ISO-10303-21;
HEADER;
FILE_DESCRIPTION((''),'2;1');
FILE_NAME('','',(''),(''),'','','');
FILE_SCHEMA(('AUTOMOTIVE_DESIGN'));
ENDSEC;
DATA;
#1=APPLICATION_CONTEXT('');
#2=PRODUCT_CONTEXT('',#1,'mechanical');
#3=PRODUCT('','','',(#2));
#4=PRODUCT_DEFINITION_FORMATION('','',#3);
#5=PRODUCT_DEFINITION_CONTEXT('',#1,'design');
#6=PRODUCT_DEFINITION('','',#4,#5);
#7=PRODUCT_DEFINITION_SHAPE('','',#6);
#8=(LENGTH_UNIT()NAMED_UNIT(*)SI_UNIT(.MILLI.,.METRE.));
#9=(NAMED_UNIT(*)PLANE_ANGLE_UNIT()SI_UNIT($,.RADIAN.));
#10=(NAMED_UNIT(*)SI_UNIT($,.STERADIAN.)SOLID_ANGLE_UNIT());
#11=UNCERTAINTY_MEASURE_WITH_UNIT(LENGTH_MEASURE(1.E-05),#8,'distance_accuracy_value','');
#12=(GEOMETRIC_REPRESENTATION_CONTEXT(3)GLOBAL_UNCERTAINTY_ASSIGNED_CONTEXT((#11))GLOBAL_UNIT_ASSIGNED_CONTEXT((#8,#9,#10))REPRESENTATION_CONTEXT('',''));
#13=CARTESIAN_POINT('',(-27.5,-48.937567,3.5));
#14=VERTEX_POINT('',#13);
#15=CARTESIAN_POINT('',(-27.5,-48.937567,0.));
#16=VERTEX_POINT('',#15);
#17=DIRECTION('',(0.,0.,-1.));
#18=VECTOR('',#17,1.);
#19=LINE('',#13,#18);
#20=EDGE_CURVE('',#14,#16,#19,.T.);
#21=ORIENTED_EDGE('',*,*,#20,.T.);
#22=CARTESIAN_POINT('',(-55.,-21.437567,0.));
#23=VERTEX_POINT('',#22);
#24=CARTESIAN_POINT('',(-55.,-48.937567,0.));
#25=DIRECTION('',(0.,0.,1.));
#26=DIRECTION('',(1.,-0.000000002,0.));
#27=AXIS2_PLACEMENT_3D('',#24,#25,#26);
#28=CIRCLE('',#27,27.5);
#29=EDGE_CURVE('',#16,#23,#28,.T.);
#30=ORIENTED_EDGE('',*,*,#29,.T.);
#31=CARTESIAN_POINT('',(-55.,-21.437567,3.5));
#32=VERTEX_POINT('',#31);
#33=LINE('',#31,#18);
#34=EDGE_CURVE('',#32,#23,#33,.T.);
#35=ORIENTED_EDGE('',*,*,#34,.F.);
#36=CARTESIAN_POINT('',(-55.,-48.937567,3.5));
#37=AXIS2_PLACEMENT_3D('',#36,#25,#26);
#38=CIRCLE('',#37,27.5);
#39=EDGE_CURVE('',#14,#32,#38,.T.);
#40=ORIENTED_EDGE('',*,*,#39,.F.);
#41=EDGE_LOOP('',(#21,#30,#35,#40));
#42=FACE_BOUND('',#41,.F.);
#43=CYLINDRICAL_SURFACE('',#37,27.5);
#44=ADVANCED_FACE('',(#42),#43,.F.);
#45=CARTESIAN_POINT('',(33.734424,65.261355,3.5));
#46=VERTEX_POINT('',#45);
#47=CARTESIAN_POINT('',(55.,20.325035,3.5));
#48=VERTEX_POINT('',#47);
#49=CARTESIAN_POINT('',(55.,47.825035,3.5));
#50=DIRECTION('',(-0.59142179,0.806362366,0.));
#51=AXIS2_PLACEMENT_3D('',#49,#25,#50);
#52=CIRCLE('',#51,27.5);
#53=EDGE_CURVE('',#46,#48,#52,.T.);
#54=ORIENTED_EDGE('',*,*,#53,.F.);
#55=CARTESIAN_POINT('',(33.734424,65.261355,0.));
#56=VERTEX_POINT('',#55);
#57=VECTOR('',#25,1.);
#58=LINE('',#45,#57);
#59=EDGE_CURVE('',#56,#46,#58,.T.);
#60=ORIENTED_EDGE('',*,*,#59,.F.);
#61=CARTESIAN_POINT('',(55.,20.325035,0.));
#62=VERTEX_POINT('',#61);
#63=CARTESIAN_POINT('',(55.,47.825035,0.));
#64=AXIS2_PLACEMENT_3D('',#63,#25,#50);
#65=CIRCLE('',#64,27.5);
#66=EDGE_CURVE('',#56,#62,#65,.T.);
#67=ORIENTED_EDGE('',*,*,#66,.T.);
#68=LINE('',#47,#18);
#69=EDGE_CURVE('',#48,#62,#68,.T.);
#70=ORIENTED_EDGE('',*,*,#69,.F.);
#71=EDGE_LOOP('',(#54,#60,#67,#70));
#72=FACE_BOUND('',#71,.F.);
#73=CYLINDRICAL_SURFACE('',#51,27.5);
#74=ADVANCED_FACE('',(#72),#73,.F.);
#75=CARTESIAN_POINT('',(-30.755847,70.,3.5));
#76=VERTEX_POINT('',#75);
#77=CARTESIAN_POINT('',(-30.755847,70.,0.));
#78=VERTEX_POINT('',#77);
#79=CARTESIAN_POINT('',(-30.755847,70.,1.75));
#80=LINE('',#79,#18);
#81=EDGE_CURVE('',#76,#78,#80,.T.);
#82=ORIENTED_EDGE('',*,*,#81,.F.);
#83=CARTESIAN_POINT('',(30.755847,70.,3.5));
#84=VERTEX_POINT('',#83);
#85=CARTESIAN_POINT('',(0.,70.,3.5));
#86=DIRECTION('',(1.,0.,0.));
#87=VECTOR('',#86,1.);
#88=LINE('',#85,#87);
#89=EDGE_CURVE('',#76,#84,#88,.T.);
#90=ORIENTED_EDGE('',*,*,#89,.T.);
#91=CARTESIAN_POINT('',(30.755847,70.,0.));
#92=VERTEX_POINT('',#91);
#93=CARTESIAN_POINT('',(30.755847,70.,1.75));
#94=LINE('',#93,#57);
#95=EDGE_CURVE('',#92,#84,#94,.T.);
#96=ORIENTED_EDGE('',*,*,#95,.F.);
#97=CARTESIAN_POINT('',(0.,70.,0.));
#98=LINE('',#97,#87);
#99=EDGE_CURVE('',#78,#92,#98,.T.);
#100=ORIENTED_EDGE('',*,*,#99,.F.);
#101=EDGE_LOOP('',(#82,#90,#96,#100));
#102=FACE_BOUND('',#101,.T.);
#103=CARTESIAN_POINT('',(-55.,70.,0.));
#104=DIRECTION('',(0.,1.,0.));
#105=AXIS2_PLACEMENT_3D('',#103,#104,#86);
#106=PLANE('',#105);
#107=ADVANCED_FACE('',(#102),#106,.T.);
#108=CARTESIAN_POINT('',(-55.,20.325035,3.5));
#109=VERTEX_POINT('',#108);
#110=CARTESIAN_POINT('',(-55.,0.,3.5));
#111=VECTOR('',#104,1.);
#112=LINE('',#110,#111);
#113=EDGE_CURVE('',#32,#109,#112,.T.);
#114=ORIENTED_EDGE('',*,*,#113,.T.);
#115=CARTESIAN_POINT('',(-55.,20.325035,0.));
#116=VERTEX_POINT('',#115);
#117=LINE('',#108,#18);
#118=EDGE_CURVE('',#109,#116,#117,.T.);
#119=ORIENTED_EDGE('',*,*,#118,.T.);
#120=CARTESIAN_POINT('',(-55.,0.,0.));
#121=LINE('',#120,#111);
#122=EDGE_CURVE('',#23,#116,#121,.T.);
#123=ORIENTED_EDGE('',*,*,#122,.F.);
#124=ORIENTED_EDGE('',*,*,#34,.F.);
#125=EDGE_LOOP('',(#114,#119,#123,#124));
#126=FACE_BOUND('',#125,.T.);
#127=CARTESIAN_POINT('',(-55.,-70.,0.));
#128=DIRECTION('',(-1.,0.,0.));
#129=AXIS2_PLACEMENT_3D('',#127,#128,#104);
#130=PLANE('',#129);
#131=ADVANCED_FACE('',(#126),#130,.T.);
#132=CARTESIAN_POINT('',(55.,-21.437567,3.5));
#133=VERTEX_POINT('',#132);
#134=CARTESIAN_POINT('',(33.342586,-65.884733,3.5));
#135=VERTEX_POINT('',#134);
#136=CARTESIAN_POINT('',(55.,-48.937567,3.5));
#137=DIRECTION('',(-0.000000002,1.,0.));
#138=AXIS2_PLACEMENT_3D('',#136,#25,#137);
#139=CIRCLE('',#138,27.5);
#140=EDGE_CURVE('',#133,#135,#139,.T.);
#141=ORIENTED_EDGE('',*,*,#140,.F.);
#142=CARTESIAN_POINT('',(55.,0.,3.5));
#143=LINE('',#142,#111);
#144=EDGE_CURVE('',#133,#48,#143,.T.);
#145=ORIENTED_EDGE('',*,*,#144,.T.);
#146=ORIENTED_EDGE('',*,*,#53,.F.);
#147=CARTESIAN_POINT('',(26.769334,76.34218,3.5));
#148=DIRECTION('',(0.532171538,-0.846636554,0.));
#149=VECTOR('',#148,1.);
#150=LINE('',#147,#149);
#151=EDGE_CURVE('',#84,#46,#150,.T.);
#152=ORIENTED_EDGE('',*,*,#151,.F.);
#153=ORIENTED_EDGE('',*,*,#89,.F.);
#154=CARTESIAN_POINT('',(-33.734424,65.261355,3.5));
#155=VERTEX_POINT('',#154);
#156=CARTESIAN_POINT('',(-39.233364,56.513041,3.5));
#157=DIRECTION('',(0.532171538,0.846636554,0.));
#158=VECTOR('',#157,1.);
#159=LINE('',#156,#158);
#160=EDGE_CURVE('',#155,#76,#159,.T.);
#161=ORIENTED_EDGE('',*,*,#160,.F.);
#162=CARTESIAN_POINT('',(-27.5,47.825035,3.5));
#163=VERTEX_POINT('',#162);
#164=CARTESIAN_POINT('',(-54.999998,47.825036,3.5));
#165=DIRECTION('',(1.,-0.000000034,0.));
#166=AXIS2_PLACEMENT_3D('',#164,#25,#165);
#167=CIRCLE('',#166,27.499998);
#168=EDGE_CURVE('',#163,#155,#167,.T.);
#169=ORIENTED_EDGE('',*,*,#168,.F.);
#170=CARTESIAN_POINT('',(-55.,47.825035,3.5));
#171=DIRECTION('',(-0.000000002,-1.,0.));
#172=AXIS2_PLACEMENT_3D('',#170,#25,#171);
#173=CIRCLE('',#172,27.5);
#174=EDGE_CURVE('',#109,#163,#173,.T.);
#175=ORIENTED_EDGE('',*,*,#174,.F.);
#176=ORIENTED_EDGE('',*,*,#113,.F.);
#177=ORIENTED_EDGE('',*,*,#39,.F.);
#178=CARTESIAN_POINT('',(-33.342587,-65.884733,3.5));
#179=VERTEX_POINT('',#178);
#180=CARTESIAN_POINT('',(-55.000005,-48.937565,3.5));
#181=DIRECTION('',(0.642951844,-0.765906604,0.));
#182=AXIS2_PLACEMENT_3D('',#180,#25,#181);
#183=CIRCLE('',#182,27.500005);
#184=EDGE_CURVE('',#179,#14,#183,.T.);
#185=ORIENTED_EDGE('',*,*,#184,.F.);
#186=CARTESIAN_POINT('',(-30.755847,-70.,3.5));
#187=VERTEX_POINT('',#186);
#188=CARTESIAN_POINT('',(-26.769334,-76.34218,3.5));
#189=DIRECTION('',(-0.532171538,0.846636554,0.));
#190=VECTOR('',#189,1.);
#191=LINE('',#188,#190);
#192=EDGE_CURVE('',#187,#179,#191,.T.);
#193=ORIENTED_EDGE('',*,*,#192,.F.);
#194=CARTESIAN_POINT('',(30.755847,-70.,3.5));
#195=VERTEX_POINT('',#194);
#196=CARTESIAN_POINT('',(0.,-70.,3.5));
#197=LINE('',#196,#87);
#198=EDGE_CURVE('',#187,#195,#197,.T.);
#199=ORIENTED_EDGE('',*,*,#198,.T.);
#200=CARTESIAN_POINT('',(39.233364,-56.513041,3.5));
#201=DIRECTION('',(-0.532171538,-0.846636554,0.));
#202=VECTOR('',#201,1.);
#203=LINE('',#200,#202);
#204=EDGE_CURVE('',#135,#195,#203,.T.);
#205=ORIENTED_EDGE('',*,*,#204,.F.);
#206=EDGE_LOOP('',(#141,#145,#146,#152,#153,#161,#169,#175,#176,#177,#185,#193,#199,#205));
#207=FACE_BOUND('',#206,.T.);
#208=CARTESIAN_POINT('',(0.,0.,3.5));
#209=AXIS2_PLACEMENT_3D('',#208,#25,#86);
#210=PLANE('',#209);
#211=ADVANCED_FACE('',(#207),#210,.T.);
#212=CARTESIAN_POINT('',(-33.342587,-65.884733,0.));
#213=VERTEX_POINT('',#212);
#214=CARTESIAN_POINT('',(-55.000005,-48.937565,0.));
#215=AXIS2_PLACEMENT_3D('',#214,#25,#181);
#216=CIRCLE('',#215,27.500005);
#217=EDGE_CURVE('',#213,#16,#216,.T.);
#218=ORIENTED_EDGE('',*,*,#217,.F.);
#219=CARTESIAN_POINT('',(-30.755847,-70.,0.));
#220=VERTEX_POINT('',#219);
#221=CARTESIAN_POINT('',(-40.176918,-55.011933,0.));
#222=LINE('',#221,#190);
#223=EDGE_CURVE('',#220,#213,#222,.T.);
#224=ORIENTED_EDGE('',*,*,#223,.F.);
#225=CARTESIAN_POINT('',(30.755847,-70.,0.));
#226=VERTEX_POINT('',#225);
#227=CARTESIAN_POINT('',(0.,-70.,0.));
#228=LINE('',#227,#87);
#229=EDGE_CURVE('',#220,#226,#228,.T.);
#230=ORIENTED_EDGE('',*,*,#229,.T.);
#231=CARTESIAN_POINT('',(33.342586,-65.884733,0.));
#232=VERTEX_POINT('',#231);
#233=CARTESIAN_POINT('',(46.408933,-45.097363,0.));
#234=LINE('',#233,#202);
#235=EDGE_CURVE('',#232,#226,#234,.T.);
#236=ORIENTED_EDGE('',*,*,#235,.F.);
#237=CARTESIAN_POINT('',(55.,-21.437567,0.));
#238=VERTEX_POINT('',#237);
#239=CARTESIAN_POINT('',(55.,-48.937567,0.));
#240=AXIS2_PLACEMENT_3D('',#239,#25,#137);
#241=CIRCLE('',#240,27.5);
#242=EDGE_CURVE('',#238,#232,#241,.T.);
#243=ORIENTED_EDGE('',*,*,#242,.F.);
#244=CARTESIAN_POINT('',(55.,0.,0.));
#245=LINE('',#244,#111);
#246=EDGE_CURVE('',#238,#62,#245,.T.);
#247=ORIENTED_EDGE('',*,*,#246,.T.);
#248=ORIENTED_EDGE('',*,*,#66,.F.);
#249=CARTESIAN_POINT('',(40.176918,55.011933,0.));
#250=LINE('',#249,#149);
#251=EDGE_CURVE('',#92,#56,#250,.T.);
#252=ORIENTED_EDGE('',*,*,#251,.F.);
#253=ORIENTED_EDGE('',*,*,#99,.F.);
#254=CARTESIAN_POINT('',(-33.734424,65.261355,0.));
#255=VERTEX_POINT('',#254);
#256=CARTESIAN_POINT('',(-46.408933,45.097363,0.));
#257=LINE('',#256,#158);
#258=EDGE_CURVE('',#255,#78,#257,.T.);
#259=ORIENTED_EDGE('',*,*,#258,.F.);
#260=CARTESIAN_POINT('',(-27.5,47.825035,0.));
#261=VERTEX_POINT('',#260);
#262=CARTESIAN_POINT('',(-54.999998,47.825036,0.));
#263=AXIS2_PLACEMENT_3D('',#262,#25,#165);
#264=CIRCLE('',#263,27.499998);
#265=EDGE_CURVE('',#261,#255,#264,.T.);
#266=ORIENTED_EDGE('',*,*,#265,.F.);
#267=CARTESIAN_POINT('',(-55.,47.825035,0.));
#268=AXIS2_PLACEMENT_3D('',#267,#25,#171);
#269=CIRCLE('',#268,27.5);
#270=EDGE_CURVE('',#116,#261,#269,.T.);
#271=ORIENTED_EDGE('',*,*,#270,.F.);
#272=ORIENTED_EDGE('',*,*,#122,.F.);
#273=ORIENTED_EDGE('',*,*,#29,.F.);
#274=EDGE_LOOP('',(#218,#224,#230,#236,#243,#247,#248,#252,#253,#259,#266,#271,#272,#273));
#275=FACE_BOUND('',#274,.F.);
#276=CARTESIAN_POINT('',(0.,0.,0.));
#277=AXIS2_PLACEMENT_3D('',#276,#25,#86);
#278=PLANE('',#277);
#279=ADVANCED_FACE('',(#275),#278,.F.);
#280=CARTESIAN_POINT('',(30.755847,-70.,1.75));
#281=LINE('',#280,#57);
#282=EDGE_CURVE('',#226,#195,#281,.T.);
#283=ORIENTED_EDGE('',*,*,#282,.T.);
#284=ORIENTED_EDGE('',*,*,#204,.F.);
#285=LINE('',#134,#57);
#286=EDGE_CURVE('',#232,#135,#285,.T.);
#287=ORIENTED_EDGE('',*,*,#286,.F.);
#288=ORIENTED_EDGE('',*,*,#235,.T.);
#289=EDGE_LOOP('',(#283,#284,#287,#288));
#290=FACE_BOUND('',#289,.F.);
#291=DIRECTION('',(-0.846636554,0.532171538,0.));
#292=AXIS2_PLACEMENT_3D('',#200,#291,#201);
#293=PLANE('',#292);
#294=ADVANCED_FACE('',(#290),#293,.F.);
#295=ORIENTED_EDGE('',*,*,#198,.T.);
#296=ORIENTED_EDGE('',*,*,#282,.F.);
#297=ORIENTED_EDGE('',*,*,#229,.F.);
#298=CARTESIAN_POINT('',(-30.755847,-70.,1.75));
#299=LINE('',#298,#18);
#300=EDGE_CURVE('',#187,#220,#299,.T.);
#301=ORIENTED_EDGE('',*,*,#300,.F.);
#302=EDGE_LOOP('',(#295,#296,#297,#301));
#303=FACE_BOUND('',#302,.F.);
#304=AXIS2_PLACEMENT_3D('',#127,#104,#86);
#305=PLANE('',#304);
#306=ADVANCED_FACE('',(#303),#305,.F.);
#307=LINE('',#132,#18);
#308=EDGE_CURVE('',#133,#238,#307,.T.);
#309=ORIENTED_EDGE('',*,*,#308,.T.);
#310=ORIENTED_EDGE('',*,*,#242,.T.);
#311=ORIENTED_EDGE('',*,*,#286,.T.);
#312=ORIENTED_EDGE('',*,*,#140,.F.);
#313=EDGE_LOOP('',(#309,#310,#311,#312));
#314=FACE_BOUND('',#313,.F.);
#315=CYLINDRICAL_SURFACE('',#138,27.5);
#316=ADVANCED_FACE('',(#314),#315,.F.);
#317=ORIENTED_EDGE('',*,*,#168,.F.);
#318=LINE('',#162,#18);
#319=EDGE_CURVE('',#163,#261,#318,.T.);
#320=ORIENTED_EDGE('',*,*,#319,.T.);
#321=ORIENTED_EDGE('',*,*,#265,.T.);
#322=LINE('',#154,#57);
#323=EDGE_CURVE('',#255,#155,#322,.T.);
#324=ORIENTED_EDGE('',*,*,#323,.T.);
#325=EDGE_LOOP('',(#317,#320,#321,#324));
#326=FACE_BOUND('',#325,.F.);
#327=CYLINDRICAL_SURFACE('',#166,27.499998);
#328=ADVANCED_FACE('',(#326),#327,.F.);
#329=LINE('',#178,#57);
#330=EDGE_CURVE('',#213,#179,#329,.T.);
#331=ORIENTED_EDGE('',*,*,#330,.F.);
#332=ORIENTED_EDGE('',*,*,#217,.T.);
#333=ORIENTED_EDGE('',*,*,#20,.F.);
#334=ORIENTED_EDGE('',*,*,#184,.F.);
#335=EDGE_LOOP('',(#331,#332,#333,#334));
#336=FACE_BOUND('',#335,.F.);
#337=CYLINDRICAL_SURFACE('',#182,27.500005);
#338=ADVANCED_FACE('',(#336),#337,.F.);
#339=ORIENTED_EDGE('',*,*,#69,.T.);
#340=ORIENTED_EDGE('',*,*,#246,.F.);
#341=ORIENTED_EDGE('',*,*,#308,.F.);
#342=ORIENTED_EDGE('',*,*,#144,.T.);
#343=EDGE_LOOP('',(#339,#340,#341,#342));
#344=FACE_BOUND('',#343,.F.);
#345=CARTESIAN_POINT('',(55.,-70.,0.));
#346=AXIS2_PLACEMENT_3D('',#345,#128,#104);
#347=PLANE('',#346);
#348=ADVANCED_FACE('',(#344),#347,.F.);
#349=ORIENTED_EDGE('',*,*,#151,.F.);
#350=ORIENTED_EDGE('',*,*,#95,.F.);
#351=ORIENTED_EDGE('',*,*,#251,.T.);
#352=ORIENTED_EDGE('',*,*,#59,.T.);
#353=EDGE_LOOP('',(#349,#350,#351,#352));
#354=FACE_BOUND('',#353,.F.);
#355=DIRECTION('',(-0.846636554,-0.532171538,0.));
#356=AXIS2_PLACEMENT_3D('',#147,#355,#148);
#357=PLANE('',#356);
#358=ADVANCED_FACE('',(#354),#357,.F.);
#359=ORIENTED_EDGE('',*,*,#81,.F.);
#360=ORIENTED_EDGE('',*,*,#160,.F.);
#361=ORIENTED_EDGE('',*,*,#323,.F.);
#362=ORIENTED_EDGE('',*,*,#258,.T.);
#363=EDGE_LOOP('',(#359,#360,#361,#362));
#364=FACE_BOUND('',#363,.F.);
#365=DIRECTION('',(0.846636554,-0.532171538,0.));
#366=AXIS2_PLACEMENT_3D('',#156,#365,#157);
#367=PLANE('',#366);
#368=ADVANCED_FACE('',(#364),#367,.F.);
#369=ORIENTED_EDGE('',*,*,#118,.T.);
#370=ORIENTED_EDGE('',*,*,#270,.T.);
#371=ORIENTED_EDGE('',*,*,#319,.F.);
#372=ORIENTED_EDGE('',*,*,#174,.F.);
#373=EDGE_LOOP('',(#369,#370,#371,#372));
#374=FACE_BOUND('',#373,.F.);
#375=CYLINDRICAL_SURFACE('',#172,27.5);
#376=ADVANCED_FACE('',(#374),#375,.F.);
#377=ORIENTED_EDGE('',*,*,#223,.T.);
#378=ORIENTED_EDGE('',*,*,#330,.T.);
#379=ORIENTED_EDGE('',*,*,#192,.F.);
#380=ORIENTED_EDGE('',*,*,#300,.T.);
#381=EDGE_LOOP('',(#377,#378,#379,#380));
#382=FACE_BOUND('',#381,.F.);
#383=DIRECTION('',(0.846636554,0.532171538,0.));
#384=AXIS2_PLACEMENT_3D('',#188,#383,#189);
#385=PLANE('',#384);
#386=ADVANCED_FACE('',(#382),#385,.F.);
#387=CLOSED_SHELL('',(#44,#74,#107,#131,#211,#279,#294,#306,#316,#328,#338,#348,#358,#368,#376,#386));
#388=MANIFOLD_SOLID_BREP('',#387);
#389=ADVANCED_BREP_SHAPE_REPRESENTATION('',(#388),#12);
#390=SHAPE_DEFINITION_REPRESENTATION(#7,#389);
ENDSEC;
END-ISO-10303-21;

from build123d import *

# Parameters (mm, degrees)
F0_W     = 110
F0_H     = 140
F1_DEPTH = 3.5
F3_DEPTH = 25
F5_DEPTH = 25


with BuildPart() as f1:
    # F0 (on Top) → F1 (new body)
    with BuildSketch(Plane.XY):
        Rectangle(F0_W, F0_H)
    extrude(amount=F1_DEPTH)

    # F2 (on face) → F3 (cut)
    with BuildSketch(Plane.XY.offset(3.5)):
        with BuildLine():
            ThreePointArc((-55, 20.325035), (-35.554564, 28.379598), (-27.5, 47.825035))
            ThreePointArc((-27.5, 47.825035), (-30.469277, 60.254582), (-38.735901, 70))
            Line((-38.735901, 70), (-55, 70))
            Line((-55, 70), (-55, 20.325035))
        make_face()
        with BuildLine():
            Line((-55, 70), (-38.735901, 70))
            ThreePointArc((-38.735901, 70), (-81.134857, 56.381858), (-55, 20.325035))
            Line((-55, 20.325035), (-55, 70))
        make_face()
        with BuildLine():
            ThreePointArc((-27.5, -48.937567), (-35.554564, -29.49213), (-55, -21.437567))
            Line((-55, -21.437567), (-55, -70))
            Line((-55, -70), (-37.318826, -70))
            ThreePointArc((-37.318826, -70), (-30.075291, -60.556898), (-27.5, -48.937567))
        make_face()
        with BuildLine():
            Line((-55, -70), (-55, -21.437567))
            ThreePointArc((-55, -21.437567), (-80.840539, -58.34589), (-37.318826, -70))
            Line((-37.318826, -70), (-55, -70))
        make_face()
        with BuildLine():
            ThreePointArc((82.5, 47.825035), (67.429547, 72.355757), (38.735901, 70))
            Line((38.735901, 70), (55, 70))
            Line((55, 70), (55, 20.325035))
            ThreePointArc((55, 20.325035), (74.445436, 28.379598), (82.5, 47.825035))
        make_face()
        with BuildLine():
            Line((55, 70), (38.735901, 70))
            ThreePointArc((38.735901, 70), (28.865143, 39.268211), (55, 20.325035))
            Line((55, 20.325035), (55, 70))
        make_face()
        with BuildLine():
            Line((55, -70), (55, -21.437567))
            ThreePointArc((55, -21.437567), (29.159461, -39.529244), (37.318826, -70))
            Line((37.318826, -70), (55, -70))
        make_face()
        with BuildLine():
            ThreePointArc((82.5, -48.937567), (74.445436, -29.49213), (55, -21.437567))
            Line((55, -21.437567), (55, -70))
            Line((55, -70), (37.318826, -70))
            ThreePointArc((37.318826, -70), (66.619331, -73.862276), (82.5, -48.937567))
        make_face()
    extrude(amount=-F3_DEPTH, mode=Mode.SUBTRACT)

    # F4 (on face) → F5 (cut)
    with BuildSketch(Plane.XY.offset(3.5)):
        Polygon((-60.47887, 76.34218), (-39.233364, 56.513041), (-26.769334, 76.34218), align=None)
        Polygon((26.769334, 76.34218), (39.233364, 56.513041), (60.47887, 76.34218), align=None)
        Polygon((-39.233364, -56.513041), (-60.47887, -76.34218), (-26.769334, -76.34218), align=None)
        Polygon((60.47887, -76.34218), (39.233364, -56.513041), (26.769334, -76.34218), align=None)
    extrude(amount=-F5_DEPTH, mode=Mode.SUBTRACT)


solid = f1.part
